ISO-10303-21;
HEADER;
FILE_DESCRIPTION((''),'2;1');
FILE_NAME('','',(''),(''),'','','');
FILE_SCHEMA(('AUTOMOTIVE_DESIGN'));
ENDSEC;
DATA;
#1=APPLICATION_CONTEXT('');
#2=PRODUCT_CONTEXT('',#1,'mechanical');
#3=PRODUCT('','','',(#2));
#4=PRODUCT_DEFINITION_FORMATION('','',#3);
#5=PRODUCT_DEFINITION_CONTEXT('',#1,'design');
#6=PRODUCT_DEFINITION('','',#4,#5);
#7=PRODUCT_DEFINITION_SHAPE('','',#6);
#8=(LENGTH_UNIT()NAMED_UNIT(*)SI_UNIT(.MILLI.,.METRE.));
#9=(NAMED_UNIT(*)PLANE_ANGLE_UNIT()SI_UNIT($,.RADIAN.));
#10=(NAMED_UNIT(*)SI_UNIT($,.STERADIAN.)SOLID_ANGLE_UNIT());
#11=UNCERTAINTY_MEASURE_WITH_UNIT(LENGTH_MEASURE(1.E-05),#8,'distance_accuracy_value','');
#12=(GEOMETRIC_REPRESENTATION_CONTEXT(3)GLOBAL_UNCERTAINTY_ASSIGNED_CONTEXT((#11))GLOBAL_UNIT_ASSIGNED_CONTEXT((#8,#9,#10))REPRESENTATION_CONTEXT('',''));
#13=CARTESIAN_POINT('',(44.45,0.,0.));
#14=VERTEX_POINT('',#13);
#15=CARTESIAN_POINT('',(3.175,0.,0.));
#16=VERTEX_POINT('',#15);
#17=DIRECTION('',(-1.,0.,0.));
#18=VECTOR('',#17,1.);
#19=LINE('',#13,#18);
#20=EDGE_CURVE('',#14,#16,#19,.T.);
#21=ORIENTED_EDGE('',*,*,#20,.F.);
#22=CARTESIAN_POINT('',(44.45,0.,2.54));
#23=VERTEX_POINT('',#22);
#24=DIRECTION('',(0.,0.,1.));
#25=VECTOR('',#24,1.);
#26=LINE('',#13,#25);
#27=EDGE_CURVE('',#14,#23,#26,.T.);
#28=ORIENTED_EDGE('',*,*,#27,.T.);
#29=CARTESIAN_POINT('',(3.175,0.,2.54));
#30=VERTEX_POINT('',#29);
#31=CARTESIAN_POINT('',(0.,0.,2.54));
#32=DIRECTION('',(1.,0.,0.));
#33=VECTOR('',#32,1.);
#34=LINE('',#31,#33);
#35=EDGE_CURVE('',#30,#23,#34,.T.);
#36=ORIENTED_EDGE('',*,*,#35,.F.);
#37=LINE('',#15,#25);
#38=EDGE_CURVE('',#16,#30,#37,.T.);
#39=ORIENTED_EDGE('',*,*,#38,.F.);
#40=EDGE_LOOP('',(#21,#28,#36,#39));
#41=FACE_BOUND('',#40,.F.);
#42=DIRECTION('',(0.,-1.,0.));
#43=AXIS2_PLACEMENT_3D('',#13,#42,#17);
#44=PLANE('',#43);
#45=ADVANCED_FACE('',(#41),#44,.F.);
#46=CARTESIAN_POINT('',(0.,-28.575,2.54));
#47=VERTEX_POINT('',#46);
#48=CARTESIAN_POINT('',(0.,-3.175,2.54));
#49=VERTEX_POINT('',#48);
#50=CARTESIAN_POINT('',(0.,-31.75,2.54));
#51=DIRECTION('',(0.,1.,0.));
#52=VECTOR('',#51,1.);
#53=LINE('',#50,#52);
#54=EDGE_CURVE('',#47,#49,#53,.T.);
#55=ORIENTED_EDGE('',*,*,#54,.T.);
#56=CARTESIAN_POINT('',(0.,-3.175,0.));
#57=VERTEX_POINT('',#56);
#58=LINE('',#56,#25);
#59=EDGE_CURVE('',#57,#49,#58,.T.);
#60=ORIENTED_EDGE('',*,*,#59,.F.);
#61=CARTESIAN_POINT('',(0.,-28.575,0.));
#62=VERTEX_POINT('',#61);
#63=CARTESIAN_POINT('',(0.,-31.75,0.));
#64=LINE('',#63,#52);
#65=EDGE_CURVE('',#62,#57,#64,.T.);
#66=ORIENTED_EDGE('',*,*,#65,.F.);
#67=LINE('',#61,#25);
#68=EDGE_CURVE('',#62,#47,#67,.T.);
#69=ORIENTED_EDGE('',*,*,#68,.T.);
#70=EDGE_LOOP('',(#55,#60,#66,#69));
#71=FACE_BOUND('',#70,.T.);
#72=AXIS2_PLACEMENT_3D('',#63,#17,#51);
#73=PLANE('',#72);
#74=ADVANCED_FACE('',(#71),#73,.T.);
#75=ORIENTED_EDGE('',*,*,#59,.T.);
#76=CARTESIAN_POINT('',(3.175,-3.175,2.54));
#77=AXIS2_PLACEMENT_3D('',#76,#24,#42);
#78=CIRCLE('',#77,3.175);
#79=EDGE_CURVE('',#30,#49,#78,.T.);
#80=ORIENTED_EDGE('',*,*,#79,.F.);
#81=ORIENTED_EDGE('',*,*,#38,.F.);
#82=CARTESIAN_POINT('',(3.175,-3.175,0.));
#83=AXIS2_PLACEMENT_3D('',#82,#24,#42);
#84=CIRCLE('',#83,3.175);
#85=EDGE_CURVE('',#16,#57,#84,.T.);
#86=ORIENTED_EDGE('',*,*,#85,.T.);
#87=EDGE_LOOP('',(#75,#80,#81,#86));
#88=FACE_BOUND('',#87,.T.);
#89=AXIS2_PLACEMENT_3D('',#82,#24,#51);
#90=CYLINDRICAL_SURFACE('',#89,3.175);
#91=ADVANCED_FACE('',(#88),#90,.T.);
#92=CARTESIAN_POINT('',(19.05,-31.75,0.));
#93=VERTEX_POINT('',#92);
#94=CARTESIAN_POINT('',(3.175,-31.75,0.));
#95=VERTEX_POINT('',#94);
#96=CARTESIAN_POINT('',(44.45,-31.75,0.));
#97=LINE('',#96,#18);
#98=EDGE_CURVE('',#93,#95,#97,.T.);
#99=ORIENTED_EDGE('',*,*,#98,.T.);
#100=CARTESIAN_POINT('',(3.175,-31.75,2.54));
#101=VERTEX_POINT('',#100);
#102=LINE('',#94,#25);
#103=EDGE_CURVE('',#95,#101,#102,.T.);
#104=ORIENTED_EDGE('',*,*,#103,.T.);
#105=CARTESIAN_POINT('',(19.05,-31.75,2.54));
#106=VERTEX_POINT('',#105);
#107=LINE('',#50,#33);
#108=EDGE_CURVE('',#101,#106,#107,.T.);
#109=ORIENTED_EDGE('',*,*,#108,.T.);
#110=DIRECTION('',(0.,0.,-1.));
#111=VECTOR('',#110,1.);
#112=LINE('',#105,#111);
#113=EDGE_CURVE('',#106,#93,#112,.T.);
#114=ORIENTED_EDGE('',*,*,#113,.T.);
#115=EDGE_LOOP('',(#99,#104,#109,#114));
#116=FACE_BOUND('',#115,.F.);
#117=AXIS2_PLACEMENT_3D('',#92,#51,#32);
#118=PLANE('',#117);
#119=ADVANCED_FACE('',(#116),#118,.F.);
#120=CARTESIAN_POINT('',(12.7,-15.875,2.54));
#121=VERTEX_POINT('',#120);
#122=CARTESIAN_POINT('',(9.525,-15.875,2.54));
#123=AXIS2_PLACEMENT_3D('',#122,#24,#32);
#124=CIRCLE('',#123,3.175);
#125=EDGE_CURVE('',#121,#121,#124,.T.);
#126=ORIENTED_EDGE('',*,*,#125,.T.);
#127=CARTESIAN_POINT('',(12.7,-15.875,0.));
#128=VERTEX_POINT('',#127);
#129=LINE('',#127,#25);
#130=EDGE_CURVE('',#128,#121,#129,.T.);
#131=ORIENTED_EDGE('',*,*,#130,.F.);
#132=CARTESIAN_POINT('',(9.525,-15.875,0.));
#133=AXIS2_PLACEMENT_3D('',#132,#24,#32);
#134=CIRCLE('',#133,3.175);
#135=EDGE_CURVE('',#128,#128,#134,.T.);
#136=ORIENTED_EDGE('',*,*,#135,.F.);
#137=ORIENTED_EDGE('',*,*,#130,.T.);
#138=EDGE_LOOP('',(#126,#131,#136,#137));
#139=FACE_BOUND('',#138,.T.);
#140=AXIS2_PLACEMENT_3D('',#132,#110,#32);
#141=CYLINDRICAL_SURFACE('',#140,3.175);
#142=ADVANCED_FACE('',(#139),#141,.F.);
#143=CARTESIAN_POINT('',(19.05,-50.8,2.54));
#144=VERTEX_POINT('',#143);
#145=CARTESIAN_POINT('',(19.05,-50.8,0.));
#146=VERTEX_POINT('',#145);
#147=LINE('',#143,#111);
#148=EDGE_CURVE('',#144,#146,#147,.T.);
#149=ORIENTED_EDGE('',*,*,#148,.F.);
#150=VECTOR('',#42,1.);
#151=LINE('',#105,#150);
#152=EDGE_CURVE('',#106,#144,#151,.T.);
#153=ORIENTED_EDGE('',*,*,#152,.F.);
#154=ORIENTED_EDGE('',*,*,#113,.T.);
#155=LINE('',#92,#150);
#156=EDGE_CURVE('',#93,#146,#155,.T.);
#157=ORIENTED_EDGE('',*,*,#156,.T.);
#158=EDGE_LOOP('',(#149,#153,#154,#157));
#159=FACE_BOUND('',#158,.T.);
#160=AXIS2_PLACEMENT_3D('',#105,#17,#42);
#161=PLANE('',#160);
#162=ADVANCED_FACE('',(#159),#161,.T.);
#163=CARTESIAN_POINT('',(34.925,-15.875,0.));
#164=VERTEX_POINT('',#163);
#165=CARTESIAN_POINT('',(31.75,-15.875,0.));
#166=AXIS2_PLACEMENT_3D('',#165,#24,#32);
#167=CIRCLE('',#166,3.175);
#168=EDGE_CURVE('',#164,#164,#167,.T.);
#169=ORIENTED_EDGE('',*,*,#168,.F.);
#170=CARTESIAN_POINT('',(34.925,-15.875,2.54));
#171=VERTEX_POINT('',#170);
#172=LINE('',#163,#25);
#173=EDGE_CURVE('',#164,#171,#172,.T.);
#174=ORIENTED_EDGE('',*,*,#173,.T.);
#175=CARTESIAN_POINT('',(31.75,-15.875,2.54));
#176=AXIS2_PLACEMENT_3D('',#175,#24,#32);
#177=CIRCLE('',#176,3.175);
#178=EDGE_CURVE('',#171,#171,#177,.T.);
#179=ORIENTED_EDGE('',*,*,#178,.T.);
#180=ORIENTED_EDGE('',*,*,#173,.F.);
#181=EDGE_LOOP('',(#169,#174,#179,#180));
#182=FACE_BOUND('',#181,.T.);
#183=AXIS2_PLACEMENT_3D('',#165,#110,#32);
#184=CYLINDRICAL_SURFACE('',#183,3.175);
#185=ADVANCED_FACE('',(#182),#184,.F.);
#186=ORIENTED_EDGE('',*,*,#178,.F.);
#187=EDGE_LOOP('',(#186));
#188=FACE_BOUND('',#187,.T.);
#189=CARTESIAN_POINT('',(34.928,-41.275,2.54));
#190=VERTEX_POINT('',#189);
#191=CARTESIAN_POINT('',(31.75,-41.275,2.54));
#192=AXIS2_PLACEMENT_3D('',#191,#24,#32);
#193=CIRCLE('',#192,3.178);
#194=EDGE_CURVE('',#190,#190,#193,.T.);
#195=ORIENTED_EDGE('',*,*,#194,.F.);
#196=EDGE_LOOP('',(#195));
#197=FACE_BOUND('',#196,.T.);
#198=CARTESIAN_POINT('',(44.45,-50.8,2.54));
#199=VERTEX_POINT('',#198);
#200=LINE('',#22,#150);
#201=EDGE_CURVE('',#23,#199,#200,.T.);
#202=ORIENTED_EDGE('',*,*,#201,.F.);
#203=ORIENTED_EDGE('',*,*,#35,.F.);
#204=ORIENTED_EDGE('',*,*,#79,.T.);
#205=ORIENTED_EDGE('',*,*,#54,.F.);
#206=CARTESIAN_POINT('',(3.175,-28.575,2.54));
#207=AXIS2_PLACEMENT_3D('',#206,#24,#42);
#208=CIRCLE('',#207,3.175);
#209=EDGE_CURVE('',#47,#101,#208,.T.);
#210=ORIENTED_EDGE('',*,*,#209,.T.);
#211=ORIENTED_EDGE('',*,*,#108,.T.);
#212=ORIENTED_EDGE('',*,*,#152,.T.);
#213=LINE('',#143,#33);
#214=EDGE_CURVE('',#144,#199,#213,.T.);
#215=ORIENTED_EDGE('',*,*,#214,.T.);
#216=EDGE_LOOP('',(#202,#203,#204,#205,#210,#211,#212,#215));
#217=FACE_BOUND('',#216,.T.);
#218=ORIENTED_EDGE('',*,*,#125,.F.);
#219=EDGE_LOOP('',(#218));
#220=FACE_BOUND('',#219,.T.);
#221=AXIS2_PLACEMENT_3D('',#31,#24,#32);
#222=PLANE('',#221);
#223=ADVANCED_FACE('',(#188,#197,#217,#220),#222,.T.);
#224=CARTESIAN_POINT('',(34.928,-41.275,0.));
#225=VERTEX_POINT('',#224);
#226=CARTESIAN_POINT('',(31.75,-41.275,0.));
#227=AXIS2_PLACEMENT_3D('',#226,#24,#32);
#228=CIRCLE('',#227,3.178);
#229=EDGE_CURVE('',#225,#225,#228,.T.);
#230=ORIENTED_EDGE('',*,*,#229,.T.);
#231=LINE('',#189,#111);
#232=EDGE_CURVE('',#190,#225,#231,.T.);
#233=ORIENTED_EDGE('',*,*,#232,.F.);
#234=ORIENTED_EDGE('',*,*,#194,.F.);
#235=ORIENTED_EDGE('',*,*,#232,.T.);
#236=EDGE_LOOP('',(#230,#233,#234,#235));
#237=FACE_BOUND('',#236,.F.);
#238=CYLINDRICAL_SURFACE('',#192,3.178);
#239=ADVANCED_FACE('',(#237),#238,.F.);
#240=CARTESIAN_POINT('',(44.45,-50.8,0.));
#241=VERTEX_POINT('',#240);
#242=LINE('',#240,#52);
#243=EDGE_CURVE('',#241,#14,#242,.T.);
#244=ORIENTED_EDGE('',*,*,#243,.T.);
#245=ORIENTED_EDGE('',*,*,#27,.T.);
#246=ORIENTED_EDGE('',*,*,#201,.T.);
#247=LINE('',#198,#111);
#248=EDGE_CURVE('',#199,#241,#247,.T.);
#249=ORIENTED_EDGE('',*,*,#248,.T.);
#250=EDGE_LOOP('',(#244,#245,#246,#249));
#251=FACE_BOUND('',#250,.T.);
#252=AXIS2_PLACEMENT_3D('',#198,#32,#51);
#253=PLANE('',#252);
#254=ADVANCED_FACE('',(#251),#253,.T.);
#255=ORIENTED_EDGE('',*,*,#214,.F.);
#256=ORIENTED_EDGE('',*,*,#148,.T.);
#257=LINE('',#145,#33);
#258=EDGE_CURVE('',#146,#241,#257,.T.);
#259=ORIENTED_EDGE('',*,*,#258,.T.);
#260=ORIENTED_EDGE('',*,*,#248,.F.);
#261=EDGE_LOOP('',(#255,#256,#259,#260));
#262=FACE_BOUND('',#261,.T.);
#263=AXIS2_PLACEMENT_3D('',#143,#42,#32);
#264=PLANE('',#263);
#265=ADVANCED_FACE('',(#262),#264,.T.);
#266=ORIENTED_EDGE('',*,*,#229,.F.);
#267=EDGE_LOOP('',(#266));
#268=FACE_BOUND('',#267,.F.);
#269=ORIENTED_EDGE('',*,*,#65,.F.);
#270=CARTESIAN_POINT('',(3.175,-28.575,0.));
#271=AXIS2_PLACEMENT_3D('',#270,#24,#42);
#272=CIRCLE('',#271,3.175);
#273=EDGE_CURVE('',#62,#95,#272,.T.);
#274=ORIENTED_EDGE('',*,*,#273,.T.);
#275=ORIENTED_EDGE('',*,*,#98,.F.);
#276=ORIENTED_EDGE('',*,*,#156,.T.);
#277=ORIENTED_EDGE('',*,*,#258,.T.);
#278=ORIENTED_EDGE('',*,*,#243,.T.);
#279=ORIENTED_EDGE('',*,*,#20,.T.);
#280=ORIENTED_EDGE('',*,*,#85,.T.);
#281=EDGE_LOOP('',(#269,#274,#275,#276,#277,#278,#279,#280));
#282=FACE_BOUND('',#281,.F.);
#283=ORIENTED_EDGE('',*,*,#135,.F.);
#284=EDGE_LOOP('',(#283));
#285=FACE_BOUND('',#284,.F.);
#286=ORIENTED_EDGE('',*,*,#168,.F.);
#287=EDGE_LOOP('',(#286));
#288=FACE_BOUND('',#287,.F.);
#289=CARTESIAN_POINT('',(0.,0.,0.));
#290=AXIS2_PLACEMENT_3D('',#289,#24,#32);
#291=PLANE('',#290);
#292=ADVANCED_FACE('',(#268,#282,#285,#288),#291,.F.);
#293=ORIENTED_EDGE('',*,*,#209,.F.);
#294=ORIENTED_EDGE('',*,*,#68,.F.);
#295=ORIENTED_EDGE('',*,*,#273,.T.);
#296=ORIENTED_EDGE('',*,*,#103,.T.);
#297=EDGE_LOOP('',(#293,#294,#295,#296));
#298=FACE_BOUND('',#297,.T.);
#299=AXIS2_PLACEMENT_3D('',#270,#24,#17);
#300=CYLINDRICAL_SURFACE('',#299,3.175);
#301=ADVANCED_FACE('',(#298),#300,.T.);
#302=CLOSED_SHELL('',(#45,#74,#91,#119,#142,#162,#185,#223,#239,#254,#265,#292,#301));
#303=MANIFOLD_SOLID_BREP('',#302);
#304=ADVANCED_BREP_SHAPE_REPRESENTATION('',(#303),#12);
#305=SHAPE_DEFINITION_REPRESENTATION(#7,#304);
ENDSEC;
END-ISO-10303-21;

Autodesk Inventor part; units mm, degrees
ref_plane "YZ Plane" through (0, 0, 0) normal (1, 0, 0) x (0, 1, 0)
ref_plane "XZ Plane" through (0, 0, 0) normal (0, 1, 0) x (-1, 0, 0)
ref_plane "XY Plane" through (0, 0, 0) normal (0, 0, 1) x (1, 0, 0)
sketch "Sketch1" plane through (0, 0, 0) normal (0, 0, 1) x (1, 0, 0)
  line L0 (0, 0) -> (19.05, 0)
  line L1 (19.05, 0) -> (19.05, -31.75)
  line L2 (19.05, -31.75) -> (0, -31.75)
  line L3 (0, -31.75) -> (0, 0)
  circle A0 centre (9.525, -15.875) radius 3.175
  line L4 (19.05, -31.75) -> (44.45, -31.75)
  line L5 (44.45, -31.75) -> (44.45, 0)
  line L6 (44.45, 0) -> (19.05, 0)
  line L7 (19.05, 0) -> (19.05, -31.75)
  circle A1 centre (31.75, -15.875) radius 3.175
  dimension "d0" = 19.05
  dimension "d1" = 31.75
  dimension "d2" = 6.35
  dimension "d5" = 25.4
extrude "Extrusion1" add sketch "Sketch1" along normal blind 2.54 contours L0 L1 L2 L3
extrude "Extrusion2" cut sketch "Sketch1" along normal blind 2.54 contours L6 L5 L4 L1
extrude "Extrusion3" add sketch "Sketch1" along normal blind 2.54 contours L6 L5 L4 L1
fillet "Fillet1" radius 3.175 1 edges at (0, 0, 1.27)
fillet "Fillet2" radius 3.175 1 edges at (0, -31.75, 1.27)
sketch "Sketch3" plane through (0, 0, 2.54) normal (0, 0, 1) x (1, 0, 0)
  circle A0 centre (31.75, -15.875) radius 3.175 projected
  circle A1 centre (31.75, -41.275) radius 3.178
  line L0 (44.45, -31.75) -> (19.05, -31.75)
  line L1 (19.05, -31.75) -> (19.05, -50.8)
  line L2 (19.05, -50.8) -> (44.45, -50.8)
  line L3 (44.45, -50.8) -> (44.45, -31.75)
  point P0 (0, 0)
  dimension "d12" = 25.4
  dimension "d13" = 19.05
extrude "Extrusion4" add sketch "Sketch3" against normal blind 2.54 contours L3 L2 L1 L0
properties part number "Pneumatic Spring attach Point"
